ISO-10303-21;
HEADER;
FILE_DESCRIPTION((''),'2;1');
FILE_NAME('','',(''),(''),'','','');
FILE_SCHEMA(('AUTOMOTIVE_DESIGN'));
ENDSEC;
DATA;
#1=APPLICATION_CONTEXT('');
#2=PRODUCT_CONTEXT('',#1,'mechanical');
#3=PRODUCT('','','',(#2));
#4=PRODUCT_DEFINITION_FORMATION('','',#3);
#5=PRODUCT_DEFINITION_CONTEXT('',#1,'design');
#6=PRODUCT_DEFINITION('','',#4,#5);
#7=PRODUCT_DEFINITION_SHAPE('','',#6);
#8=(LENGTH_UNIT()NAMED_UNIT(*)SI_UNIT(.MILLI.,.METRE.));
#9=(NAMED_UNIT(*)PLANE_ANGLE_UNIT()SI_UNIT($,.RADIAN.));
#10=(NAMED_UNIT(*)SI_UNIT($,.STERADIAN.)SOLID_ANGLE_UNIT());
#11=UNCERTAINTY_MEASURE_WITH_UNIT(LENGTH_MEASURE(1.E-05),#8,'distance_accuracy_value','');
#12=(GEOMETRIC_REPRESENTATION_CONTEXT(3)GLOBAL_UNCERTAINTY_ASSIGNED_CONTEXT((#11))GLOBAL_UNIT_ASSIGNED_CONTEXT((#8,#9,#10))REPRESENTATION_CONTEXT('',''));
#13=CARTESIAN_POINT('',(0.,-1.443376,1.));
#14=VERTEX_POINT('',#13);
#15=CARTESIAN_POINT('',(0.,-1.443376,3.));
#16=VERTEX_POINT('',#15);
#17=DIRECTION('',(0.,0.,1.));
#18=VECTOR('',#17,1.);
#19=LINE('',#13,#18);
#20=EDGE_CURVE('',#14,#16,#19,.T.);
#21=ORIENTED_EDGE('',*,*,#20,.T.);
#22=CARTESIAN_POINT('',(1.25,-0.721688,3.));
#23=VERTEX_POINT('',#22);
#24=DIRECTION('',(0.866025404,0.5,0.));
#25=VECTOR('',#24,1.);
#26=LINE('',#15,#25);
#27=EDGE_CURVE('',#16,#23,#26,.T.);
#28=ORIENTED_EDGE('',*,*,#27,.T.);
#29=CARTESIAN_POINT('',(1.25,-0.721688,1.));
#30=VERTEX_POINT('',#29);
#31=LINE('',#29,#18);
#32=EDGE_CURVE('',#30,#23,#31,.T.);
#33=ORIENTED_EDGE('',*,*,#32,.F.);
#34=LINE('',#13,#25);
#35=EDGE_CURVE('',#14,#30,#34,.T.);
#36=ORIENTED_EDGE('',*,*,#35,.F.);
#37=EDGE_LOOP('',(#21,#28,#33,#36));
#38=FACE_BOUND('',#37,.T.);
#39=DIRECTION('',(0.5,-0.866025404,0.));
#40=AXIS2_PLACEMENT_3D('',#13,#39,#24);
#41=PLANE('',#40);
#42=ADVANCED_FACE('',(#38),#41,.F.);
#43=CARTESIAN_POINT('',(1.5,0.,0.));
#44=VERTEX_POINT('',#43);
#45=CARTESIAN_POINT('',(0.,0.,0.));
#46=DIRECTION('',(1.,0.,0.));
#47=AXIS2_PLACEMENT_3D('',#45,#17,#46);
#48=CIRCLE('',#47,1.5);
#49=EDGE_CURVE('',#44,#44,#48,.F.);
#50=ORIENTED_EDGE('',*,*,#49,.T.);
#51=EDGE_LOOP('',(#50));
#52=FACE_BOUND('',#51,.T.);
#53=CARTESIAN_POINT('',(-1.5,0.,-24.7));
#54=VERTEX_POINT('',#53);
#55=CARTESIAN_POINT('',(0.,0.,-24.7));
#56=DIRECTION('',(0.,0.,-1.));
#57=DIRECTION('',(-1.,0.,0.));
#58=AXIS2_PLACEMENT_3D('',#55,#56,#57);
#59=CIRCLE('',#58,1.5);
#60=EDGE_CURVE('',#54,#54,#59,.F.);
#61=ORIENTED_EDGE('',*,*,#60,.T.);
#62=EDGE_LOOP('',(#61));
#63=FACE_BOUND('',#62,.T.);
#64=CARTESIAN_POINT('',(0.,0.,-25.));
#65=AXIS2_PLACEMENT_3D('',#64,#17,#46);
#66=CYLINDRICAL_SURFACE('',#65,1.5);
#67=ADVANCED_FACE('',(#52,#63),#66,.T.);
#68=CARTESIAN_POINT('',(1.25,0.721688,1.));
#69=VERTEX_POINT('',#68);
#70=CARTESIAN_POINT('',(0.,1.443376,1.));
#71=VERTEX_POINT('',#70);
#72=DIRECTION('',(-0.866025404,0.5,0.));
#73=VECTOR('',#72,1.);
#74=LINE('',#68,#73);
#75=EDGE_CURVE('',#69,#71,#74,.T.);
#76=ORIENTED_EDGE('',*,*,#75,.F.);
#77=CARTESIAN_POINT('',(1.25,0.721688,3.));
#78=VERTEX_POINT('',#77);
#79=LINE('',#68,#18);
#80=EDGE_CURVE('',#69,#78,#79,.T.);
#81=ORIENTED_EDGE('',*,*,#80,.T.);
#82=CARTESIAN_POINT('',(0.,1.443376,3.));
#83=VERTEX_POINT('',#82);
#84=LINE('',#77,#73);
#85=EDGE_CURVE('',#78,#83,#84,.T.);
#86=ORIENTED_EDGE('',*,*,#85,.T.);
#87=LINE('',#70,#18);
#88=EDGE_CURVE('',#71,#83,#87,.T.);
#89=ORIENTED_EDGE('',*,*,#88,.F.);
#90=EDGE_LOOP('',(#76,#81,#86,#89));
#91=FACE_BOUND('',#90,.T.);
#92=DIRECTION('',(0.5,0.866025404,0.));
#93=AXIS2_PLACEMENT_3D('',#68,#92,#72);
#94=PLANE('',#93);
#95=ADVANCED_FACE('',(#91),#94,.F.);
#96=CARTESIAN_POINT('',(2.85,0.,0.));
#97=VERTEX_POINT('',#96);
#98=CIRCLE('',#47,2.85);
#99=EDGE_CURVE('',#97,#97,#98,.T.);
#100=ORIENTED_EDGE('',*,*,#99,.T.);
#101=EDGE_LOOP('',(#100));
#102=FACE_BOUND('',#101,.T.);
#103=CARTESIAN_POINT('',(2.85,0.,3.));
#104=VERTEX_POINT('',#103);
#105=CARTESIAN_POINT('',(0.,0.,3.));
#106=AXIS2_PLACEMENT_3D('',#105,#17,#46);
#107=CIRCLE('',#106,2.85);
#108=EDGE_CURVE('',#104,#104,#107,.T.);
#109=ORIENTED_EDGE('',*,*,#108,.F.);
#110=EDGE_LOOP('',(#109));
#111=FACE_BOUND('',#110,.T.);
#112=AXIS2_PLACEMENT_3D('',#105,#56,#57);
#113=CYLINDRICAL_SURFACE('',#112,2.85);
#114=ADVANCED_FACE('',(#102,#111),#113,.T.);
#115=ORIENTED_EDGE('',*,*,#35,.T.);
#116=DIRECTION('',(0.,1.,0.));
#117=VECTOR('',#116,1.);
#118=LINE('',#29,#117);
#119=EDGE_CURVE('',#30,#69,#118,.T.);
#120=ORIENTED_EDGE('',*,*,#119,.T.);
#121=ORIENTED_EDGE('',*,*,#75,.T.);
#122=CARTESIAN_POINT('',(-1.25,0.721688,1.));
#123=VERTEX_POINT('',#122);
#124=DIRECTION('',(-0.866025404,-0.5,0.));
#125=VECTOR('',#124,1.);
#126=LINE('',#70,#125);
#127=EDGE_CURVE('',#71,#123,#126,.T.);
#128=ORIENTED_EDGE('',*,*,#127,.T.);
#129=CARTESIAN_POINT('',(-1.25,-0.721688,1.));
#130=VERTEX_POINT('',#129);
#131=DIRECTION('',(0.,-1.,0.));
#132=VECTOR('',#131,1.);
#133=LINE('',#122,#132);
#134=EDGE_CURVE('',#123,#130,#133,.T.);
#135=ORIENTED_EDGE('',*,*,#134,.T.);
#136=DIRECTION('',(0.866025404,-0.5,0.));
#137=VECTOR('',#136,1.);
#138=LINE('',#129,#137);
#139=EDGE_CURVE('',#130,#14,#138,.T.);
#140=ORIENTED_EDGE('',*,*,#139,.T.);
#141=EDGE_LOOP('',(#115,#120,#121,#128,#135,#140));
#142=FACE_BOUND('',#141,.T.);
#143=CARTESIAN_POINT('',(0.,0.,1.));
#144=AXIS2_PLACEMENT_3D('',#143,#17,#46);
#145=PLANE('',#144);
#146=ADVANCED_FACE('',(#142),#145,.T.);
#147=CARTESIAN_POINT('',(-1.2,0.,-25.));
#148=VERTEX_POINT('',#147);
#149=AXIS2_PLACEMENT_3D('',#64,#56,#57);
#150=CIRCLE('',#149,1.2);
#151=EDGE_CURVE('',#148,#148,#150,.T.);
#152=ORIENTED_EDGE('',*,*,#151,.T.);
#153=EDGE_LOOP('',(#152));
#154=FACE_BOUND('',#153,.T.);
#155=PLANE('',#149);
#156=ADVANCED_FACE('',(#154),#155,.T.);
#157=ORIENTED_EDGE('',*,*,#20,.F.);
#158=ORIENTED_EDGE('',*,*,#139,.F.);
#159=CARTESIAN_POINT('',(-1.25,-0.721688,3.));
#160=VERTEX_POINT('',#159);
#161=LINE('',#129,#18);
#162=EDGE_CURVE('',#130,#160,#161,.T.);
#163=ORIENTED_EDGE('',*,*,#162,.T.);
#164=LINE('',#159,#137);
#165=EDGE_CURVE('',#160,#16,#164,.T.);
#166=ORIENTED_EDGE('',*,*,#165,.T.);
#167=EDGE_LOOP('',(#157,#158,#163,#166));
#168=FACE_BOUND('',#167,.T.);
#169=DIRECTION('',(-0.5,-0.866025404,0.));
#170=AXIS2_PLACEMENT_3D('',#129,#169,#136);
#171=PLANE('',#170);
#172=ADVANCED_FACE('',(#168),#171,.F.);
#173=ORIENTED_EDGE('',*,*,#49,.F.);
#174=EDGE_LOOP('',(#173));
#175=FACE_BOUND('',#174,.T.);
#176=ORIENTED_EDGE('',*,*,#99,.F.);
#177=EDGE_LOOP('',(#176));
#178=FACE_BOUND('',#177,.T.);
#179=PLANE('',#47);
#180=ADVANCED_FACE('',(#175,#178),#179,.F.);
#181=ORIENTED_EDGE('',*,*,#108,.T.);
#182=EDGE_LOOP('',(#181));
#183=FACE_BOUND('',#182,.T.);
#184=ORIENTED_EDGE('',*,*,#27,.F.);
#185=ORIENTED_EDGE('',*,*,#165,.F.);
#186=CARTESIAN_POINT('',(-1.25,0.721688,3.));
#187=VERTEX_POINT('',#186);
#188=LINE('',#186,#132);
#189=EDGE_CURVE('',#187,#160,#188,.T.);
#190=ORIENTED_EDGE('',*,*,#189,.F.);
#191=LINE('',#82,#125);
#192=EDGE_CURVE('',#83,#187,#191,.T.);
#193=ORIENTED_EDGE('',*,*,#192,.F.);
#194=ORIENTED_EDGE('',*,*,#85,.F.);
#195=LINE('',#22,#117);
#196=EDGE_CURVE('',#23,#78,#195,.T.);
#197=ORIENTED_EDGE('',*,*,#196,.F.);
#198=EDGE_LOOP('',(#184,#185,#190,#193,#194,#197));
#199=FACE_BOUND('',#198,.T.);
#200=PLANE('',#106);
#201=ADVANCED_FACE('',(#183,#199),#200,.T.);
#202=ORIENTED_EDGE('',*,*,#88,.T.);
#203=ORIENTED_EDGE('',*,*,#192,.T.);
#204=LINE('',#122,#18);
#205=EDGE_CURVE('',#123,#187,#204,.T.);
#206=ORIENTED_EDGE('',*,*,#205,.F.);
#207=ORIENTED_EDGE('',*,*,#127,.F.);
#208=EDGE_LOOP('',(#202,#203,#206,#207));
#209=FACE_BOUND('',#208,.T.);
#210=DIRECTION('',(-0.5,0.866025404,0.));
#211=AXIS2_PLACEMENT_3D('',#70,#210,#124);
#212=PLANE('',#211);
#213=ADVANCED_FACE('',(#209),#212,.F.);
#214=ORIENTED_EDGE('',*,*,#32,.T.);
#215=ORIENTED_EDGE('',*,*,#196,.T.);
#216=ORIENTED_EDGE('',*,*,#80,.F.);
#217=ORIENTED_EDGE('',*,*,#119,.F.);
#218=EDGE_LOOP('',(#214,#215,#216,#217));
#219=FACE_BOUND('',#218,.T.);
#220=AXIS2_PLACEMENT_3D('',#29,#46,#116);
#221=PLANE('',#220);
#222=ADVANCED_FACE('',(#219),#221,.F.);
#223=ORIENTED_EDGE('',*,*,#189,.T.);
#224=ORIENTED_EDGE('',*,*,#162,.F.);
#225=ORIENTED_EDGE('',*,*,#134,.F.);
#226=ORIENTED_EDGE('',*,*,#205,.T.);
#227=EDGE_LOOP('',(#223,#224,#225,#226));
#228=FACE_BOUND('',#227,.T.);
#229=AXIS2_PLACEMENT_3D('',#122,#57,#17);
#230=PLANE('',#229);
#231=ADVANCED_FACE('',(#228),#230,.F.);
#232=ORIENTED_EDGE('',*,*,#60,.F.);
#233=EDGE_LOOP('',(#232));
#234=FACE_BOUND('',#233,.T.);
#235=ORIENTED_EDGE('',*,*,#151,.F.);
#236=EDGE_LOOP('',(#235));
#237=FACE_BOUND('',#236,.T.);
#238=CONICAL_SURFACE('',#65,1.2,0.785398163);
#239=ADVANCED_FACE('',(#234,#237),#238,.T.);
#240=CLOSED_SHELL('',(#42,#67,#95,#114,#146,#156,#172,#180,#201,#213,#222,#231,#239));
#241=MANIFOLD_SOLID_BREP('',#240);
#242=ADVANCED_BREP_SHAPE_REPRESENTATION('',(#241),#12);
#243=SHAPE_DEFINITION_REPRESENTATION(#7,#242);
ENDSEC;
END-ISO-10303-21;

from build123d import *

# Parameters (mm, degrees)
SKETCH1_R           = 2.85
BOSS_EXTRUDE1_DEPTH = 3
SKETCH2_R           = 1.5
BOSS_EXTRUDE2_DEPTH = 25
CHAMFER1_SIZE       = 0.3
CUT_EXTRUDE1_DEPTH  = 2


with BuildPart() as part:
    # Sketch1 → Boss-Extrude1 (new body)
    with BuildSketch(Plane.XY):
        Circle(SKETCH1_R)
    extrude(amount=BOSS_EXTRUDE1_DEPTH)

    # Sketch2 → Boss-Extrude2 (add)
    with BuildSketch(Plane(origin=(0, 0, 0), x_dir=(-1, 0, 0), z_dir=(0, 0, -1))):
        Circle(SKETCH2_R)
    extrude(amount=BOSS_EXTRUDE2_DEPTH)

    # Chamfer1
    chamfer1_edges = [part.edges().sort_by_distance(p)[0] for p in [
        (1.5, 0, -25),
    ]]
    chamfer(chamfer1_edges, length=CHAMFER1_SIZE)

    # Sketch3 → Cut-Extrude1 (cut)
    with BuildSketch(Plane.XY.offset(3)):
        Polygon((0, 1.443375673), (-1.25, 0.721687836), (-1.25, -0.721687836), (0, -1.443375673), (1.25, -0.721687836), (1.25, 0.721687836), align=None)
    extrude(amount=-CUT_EXTRUDE1_DEPTH, mode=Mode.SUBTRACT)


solid = part.part
